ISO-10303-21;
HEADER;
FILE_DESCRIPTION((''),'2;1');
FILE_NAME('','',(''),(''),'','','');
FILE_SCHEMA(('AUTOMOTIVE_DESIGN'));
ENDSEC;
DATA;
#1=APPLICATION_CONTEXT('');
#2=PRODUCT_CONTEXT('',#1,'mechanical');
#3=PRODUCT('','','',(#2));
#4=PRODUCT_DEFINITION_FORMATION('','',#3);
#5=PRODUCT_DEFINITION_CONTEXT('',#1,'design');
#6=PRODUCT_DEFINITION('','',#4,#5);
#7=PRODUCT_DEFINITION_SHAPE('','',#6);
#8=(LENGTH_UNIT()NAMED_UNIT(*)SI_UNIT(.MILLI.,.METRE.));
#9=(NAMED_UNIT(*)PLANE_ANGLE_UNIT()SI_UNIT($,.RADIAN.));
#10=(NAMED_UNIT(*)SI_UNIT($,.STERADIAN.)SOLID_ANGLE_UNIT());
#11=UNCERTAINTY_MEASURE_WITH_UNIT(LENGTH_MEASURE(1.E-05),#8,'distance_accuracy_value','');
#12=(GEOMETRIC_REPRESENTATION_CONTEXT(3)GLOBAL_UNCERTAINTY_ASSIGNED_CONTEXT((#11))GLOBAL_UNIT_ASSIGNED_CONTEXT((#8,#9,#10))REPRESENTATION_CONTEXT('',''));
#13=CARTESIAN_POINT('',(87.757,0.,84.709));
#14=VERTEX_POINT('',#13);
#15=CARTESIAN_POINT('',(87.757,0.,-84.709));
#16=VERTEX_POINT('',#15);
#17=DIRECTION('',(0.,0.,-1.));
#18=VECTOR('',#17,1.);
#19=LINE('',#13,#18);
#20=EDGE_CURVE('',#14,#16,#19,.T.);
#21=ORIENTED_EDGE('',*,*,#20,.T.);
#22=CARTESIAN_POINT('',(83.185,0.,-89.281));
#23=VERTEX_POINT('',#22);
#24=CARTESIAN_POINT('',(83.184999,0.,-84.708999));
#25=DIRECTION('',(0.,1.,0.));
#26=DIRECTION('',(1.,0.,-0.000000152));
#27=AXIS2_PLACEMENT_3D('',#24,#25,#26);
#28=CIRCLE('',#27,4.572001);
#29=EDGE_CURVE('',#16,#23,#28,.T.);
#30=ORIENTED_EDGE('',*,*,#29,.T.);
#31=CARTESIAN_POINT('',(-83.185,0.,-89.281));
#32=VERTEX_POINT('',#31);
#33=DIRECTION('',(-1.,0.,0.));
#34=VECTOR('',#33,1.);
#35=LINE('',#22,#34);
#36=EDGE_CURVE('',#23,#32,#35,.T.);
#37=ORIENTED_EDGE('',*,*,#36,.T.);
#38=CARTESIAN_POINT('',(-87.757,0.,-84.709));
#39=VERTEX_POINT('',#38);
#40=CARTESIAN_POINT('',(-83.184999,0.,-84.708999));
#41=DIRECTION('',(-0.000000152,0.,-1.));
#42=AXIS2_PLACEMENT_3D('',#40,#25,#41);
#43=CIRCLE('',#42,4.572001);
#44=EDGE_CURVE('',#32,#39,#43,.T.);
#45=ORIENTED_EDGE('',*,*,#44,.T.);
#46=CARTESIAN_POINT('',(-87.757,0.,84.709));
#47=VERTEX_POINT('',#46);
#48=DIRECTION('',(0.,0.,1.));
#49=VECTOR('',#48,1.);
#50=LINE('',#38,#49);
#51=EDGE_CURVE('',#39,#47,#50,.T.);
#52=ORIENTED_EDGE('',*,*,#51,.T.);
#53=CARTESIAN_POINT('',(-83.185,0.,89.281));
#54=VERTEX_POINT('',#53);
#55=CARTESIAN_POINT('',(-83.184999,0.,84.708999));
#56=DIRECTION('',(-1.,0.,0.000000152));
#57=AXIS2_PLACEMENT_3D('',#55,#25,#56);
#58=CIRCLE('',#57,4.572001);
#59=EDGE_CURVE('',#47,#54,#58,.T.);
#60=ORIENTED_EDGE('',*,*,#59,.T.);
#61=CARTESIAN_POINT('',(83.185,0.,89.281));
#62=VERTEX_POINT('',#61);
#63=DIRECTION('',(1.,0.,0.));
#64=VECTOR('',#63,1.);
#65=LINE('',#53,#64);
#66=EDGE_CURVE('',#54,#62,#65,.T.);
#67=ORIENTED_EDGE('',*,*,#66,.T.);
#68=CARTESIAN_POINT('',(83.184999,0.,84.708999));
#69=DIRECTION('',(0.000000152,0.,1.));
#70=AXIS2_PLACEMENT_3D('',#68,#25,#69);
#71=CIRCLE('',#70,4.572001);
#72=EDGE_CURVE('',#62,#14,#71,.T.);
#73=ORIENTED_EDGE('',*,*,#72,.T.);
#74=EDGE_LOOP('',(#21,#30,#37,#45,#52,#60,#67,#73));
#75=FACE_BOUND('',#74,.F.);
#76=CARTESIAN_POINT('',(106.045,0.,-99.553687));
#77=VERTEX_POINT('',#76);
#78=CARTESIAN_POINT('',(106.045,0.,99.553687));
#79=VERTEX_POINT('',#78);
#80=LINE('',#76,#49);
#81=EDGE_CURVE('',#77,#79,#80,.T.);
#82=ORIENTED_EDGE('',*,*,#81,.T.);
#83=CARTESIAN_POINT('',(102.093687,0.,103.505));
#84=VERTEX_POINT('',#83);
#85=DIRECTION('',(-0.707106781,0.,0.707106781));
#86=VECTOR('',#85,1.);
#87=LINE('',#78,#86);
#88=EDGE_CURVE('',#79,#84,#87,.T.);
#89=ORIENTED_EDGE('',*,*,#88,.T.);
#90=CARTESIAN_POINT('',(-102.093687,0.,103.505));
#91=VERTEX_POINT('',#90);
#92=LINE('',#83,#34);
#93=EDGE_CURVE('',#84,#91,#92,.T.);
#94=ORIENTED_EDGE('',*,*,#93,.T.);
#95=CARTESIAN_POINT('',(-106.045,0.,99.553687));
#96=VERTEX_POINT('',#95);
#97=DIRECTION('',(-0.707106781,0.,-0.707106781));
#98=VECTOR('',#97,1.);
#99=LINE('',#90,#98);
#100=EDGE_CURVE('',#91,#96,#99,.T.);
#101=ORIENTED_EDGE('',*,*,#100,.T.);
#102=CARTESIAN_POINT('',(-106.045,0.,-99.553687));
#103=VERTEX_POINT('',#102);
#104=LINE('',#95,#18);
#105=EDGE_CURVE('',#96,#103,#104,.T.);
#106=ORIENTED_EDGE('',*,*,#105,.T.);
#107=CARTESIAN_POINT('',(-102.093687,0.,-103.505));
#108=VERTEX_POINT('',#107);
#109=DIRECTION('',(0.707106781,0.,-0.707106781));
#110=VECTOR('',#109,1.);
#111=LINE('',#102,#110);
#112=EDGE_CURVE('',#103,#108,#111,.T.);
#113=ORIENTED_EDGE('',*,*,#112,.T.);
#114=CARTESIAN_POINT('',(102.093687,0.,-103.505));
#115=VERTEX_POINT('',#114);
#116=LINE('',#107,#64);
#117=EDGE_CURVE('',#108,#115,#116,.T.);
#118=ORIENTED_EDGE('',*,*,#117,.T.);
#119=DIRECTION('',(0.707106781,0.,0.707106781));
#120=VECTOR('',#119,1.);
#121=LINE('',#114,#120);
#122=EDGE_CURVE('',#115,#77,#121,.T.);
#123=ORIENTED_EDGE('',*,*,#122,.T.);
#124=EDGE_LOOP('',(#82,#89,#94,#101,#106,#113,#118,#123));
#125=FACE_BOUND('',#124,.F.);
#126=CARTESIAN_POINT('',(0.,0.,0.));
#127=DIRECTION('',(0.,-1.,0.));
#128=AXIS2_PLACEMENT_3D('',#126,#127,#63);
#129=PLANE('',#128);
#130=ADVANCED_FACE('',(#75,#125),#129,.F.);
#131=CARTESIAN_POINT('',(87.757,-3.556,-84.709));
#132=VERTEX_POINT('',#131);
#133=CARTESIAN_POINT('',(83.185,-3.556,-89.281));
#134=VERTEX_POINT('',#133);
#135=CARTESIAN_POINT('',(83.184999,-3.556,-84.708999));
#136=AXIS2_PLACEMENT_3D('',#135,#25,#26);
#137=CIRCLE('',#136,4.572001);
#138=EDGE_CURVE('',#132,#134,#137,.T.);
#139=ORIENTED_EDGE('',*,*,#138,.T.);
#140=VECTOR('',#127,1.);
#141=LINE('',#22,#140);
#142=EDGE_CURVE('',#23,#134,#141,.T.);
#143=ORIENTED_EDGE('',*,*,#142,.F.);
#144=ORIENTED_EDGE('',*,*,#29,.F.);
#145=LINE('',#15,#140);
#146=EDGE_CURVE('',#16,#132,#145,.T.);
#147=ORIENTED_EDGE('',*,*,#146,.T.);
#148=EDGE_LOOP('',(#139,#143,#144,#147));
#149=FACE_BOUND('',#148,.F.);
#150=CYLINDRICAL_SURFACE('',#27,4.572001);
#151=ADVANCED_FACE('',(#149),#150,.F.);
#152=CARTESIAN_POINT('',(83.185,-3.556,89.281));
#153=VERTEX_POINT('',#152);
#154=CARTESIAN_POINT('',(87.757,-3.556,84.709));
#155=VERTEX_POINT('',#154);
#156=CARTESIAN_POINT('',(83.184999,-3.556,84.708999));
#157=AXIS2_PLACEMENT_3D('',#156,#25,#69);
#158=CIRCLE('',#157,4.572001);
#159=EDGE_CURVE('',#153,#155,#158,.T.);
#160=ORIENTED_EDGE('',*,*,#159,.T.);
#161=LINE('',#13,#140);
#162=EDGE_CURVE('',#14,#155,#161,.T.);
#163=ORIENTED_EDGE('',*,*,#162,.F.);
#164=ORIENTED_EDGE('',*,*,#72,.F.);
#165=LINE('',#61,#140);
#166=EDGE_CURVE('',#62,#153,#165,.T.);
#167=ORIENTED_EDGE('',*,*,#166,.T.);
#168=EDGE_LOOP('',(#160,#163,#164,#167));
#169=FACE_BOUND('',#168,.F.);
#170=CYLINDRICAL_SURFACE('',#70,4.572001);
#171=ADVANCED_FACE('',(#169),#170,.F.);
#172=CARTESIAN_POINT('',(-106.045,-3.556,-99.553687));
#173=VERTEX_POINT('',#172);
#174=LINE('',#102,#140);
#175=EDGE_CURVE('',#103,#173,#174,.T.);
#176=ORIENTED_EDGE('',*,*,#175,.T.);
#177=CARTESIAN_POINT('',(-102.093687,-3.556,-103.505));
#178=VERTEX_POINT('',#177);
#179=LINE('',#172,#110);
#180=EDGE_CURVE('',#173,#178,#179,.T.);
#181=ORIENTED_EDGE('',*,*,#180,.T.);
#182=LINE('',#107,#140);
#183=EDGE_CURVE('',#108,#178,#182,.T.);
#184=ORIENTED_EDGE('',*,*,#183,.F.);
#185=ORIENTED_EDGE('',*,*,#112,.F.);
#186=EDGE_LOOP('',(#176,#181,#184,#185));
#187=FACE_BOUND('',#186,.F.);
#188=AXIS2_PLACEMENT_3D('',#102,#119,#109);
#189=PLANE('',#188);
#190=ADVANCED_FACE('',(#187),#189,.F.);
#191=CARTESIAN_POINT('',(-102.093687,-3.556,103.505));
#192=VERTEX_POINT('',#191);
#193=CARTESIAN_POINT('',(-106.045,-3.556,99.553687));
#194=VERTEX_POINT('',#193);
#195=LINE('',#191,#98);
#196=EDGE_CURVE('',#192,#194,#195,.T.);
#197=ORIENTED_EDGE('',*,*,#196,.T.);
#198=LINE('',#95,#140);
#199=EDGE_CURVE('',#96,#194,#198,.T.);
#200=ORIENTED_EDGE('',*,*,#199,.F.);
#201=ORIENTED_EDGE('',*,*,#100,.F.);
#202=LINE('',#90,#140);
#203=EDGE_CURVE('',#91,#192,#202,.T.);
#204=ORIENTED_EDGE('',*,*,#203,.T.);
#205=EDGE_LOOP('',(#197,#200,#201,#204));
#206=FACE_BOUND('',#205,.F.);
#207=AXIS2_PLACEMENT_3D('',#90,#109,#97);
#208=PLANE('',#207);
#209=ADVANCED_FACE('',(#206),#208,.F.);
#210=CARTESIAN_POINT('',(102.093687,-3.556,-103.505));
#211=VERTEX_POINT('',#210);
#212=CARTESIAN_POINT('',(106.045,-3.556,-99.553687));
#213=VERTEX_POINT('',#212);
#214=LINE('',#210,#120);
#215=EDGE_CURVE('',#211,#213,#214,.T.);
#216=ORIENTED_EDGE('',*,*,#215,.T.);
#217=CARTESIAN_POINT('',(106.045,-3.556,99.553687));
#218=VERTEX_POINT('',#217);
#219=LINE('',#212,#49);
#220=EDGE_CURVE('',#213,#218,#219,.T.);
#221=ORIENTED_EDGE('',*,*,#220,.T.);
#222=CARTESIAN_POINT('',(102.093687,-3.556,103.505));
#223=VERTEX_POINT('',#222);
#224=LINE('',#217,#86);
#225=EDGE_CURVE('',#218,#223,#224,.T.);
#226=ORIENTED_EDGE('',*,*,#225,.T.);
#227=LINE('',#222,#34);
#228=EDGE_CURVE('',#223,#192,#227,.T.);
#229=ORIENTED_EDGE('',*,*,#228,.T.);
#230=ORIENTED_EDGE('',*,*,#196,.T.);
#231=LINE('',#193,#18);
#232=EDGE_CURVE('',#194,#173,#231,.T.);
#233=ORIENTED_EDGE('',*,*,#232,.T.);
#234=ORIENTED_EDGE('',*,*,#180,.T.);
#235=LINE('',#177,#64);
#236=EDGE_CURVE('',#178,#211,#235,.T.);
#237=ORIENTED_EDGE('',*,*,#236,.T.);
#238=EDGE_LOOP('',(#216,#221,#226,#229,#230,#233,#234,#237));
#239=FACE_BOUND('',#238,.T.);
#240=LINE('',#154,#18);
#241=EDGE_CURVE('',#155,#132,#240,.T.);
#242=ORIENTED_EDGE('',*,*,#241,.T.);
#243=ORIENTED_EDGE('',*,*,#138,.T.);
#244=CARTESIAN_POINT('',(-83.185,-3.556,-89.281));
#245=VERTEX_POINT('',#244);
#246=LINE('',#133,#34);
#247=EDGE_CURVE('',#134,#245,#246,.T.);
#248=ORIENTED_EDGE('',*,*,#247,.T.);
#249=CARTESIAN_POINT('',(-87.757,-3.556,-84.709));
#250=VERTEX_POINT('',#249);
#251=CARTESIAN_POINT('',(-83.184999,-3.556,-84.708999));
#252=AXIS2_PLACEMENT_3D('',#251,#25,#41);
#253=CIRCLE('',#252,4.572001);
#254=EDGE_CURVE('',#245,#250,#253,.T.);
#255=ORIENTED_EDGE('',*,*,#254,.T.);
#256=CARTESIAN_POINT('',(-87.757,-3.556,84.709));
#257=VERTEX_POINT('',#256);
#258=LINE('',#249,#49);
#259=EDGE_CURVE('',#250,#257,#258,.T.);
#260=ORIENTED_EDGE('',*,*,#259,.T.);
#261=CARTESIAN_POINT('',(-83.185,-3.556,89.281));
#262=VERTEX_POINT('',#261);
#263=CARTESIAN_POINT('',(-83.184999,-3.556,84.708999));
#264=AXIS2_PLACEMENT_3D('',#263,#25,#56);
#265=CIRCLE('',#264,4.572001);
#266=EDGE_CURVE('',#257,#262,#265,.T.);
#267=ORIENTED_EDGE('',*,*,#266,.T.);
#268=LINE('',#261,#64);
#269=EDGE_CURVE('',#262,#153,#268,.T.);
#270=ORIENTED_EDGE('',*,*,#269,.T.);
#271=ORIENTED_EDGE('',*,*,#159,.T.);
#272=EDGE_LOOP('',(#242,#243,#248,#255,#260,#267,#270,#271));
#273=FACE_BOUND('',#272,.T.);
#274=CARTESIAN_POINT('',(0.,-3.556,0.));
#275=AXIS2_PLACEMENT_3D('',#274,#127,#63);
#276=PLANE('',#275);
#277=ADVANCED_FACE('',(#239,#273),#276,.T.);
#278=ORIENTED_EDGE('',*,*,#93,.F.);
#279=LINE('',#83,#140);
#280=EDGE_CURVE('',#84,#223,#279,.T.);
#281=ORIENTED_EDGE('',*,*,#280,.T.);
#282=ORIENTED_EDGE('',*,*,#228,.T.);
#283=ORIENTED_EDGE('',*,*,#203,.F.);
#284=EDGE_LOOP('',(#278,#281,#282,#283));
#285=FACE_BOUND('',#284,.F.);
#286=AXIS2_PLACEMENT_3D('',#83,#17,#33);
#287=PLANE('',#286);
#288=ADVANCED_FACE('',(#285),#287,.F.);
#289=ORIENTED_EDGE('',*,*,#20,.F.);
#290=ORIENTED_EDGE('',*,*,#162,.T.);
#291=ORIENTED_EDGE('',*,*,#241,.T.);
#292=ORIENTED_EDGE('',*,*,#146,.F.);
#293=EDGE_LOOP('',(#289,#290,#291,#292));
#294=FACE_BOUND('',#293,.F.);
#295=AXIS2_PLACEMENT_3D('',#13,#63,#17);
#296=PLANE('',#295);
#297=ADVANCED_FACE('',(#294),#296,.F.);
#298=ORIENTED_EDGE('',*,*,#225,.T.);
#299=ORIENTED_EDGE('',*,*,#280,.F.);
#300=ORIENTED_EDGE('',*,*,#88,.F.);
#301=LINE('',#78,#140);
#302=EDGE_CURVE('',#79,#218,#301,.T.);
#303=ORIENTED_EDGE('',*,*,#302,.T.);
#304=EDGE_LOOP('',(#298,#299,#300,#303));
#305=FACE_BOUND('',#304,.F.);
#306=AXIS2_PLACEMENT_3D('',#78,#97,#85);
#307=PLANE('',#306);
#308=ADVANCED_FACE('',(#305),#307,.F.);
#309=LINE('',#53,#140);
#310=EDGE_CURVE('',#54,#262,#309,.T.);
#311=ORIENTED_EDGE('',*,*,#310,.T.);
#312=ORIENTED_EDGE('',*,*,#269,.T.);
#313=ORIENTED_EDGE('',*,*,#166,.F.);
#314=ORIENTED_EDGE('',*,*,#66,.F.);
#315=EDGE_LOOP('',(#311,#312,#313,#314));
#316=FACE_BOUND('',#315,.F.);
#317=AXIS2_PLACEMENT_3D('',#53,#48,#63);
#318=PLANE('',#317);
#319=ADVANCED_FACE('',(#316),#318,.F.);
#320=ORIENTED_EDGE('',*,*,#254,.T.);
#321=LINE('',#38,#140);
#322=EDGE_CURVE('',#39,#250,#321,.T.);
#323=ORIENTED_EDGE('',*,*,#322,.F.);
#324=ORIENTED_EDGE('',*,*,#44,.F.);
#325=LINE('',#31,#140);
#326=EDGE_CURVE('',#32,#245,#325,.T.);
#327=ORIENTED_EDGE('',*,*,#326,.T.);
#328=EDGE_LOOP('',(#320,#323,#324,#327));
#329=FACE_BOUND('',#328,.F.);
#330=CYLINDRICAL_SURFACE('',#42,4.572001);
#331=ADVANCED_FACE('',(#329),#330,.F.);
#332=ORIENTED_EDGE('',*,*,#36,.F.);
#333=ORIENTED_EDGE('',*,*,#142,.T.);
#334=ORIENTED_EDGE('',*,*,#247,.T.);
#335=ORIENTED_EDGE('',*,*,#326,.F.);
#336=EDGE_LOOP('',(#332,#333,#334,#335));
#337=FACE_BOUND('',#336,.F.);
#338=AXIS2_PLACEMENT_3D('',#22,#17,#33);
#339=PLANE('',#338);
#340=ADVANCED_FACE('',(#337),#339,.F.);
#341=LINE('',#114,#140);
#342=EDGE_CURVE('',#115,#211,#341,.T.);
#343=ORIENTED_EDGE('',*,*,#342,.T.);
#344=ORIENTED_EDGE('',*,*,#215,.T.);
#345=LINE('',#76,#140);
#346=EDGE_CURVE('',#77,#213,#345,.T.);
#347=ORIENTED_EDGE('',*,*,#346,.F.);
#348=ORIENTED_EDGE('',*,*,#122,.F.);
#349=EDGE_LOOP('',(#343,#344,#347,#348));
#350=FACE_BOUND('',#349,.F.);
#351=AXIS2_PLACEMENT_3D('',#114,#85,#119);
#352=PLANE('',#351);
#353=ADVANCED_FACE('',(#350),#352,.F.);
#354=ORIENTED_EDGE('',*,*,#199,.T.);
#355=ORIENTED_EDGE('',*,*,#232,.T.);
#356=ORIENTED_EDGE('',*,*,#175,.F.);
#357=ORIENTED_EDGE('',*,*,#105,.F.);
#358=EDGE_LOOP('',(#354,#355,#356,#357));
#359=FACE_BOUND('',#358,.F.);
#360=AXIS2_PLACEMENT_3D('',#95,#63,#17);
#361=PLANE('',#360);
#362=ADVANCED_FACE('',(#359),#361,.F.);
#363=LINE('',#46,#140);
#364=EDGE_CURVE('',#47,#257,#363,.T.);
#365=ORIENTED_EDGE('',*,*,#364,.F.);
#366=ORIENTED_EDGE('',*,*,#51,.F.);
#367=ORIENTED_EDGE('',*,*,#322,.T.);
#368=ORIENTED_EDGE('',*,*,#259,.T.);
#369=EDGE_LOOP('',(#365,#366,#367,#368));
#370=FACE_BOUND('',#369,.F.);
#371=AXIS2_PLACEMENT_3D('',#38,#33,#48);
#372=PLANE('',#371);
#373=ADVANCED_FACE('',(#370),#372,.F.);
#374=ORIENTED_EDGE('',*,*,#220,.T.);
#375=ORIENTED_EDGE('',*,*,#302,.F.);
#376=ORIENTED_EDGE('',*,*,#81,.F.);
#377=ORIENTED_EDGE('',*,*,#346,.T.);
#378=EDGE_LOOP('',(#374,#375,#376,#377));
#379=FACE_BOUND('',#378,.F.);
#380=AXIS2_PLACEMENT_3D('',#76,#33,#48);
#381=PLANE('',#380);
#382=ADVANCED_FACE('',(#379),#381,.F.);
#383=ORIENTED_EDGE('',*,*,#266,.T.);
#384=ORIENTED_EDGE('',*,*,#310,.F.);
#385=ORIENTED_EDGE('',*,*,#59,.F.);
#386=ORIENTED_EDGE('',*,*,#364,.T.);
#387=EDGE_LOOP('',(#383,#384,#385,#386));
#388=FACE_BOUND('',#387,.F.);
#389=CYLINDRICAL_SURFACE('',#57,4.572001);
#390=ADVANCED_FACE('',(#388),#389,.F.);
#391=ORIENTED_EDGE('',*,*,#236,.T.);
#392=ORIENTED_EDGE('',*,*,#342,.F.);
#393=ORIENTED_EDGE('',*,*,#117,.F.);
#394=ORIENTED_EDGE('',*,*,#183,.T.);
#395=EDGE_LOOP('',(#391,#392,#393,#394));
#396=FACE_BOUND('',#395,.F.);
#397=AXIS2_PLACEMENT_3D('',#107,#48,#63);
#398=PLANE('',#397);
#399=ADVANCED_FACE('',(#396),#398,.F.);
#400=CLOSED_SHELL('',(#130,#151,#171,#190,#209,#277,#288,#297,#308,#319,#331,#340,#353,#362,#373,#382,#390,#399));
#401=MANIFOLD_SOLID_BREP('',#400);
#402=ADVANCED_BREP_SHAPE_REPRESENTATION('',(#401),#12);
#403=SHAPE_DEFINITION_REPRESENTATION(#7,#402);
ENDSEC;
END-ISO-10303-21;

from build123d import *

# Parameters (mm, degrees)
F1_DEPTH = 3.556


with BuildPart() as f1:
    # F0 (on Front) → F1 (new body)
    with BuildSketch(Plane.XZ):
        Polygon((-106.045, -99.553687), (-102.093687, -103.505), (102.093687, -103.505), (106.045, -99.553687), (106.045, 99.553687), (102.093687, 103.505), (-102.093687, 103.505), (-106.045, 99.553687), align=None)
        with BuildLine():
            Line((83.185, -89.281), (-83.185, -89.281))
            ThreePointArc((-83.185, -89.281), (-86.417892, -87.941892), (-87.757, -84.709))
            Line((-87.757, -84.709), (-87.757, 84.709))
            ThreePointArc((-87.757, 84.709), (-86.417892, 87.941892), (-83.185, 89.281))
            Line((-83.185, 89.281), (83.185, 89.281))
            ThreePointArc((83.185, 89.281), (86.417892, 87.941892), (87.757, 84.709))
            Line((87.757, 84.709), (87.757, -84.709))
            ThreePointArc((87.757, -84.709), (86.417892, -87.941892), (83.185, -89.281))
        make_face(mode=Mode.SUBTRACT)
    extrude(amount=F1_DEPTH)


solid = f1.part
